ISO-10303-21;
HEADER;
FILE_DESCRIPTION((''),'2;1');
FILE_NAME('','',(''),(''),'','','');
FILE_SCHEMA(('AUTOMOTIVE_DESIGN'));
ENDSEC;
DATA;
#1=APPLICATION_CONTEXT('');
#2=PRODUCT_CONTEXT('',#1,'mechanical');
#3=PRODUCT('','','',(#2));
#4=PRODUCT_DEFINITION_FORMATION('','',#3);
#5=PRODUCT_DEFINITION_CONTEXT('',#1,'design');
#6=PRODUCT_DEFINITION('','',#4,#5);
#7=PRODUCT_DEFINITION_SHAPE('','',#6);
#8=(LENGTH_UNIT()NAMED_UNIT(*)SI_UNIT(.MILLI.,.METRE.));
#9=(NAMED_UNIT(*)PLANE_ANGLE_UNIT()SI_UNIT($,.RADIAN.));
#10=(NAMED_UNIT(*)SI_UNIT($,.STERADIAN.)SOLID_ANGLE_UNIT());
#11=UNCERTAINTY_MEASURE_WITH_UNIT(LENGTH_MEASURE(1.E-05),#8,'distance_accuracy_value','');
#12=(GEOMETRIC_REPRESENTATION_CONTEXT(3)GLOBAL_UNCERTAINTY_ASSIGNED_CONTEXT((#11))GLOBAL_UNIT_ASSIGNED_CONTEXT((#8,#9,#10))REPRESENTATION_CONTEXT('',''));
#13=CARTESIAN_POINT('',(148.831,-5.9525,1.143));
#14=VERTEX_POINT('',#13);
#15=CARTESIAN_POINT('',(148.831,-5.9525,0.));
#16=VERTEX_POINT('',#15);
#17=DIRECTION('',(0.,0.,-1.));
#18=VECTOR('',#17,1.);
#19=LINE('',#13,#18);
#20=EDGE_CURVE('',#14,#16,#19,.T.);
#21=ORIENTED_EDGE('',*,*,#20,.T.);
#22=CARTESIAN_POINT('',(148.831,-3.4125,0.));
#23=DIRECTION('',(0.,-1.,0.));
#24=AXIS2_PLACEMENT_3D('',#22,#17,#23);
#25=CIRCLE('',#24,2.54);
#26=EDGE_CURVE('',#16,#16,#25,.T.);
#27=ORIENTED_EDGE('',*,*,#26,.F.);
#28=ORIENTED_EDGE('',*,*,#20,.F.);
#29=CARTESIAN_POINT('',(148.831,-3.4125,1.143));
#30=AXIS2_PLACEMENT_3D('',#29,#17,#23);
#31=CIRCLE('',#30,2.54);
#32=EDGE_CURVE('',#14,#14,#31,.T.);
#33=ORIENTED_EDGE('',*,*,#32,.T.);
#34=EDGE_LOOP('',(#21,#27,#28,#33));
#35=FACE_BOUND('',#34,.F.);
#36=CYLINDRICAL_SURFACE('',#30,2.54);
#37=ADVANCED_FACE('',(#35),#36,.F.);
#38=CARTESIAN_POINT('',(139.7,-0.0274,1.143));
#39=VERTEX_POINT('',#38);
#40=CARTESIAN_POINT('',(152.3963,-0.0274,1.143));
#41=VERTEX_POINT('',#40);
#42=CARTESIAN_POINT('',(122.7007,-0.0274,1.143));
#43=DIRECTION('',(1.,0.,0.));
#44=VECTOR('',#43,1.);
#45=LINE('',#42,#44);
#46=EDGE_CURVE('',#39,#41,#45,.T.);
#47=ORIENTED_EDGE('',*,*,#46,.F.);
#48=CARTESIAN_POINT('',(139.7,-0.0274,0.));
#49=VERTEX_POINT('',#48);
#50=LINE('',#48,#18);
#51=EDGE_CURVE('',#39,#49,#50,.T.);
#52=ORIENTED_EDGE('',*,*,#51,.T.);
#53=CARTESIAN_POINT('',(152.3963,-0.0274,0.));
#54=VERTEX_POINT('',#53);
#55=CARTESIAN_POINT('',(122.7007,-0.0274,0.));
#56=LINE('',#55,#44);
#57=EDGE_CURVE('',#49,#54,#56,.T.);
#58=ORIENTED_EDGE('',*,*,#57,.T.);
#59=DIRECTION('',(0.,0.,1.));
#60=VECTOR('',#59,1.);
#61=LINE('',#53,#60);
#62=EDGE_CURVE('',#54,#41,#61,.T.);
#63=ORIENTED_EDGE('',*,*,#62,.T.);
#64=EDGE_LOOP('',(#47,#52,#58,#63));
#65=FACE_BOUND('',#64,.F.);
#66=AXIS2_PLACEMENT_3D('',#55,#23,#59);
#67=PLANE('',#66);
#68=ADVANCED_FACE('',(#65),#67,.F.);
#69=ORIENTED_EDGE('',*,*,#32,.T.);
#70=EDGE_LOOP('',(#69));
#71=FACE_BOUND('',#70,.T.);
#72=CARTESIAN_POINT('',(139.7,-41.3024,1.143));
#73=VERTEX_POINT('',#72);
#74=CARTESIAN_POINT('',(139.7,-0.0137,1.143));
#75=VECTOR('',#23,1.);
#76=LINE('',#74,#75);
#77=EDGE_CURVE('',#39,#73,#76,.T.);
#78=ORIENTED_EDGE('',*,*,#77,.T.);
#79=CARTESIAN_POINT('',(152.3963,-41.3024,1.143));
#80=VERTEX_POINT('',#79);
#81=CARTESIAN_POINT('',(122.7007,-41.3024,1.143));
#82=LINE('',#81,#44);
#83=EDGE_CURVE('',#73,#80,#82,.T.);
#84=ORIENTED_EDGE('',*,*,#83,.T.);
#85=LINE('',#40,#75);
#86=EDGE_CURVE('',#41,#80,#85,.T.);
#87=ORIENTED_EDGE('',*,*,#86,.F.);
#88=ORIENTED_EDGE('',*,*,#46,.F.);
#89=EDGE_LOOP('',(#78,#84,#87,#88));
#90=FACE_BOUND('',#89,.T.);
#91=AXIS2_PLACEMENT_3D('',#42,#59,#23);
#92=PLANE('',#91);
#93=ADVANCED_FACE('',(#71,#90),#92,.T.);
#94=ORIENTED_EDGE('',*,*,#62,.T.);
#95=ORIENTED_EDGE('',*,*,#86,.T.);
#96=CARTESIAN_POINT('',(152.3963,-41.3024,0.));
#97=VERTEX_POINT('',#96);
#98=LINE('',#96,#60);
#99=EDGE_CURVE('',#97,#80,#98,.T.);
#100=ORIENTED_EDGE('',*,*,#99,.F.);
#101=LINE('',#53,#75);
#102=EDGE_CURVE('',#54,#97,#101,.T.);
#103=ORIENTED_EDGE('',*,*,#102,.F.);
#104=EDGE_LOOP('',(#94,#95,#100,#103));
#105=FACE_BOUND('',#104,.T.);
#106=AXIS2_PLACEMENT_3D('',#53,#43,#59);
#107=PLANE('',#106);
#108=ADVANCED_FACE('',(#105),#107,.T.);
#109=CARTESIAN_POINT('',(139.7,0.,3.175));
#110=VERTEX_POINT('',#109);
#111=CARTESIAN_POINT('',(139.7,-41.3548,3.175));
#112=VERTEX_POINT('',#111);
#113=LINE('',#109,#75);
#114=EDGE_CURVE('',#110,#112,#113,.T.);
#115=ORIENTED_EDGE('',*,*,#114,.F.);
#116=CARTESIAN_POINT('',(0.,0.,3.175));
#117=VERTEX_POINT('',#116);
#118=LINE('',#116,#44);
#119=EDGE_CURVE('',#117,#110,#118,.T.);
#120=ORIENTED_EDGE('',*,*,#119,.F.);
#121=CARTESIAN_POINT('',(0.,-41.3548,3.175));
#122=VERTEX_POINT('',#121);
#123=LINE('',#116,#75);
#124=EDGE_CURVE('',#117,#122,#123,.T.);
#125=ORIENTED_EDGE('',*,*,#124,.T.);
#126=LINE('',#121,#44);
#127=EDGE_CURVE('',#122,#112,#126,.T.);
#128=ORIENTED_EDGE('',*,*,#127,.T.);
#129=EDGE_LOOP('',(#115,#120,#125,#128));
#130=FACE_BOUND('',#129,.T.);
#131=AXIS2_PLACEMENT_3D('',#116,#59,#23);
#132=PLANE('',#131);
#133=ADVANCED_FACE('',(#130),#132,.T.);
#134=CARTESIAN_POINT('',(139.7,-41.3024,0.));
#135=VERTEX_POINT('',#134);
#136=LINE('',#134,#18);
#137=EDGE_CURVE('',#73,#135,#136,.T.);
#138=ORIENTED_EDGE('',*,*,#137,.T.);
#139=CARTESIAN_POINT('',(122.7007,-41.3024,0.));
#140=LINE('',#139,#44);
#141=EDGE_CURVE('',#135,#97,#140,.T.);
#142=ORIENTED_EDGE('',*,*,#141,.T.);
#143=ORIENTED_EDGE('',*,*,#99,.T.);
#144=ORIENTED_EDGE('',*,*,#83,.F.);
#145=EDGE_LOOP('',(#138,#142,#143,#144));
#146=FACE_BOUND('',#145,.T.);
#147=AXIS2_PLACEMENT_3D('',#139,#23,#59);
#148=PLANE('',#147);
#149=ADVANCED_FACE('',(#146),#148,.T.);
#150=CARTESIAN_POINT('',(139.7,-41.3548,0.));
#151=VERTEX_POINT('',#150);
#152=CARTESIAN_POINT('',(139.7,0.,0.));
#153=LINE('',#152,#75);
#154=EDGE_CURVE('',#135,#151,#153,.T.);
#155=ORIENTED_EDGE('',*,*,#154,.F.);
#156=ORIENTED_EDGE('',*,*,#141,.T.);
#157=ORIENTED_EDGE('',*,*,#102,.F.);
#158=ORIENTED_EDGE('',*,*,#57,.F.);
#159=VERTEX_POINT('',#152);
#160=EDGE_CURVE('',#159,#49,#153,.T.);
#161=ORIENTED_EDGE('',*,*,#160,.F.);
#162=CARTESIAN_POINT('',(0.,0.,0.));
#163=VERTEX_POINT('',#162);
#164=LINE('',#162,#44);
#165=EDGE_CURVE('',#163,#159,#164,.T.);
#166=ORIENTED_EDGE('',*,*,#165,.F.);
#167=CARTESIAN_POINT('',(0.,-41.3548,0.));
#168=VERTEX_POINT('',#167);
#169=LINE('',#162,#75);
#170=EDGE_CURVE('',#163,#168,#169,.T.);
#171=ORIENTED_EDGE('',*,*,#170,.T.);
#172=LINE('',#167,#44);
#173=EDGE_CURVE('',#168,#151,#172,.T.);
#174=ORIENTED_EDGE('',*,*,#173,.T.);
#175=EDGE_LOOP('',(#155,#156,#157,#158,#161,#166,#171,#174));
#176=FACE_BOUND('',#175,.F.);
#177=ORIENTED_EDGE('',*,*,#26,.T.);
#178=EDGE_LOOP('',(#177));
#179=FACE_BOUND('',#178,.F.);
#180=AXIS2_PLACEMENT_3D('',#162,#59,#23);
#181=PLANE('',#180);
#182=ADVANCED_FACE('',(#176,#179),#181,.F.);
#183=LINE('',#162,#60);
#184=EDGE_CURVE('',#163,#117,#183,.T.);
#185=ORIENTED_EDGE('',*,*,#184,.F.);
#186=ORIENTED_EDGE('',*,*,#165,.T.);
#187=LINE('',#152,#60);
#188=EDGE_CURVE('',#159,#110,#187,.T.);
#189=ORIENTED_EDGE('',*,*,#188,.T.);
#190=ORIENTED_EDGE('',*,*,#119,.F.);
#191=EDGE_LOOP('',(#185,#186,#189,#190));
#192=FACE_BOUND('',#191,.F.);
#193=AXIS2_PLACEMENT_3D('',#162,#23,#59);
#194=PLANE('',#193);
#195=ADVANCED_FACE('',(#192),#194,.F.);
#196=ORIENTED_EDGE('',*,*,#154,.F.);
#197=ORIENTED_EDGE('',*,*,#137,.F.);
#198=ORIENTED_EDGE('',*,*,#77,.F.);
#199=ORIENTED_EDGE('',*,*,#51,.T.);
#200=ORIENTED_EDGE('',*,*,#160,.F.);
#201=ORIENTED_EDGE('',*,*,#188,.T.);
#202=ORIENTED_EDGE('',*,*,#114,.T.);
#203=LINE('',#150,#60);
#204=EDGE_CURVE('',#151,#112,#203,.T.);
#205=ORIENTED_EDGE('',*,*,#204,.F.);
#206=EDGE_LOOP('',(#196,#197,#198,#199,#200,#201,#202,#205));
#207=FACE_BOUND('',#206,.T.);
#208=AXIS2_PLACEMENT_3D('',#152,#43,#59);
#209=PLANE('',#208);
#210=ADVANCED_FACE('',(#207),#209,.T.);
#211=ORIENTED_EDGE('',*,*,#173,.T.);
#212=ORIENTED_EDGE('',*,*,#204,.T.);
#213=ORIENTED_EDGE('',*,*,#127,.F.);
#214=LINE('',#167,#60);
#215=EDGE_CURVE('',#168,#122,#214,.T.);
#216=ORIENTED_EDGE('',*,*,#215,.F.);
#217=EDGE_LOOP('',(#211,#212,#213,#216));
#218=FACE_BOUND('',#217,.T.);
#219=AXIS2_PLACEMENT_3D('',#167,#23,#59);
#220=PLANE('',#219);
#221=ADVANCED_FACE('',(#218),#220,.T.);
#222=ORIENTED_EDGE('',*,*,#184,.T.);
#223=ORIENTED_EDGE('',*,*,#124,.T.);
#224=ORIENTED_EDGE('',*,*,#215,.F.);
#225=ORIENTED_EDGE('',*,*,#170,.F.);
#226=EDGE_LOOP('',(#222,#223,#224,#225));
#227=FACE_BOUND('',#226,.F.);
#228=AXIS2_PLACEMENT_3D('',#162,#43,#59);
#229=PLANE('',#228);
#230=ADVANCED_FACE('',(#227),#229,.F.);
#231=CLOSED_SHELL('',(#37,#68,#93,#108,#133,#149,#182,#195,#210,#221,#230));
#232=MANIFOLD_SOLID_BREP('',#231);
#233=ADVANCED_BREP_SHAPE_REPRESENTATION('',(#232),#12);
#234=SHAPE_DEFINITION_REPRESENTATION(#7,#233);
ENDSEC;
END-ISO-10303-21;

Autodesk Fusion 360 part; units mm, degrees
box "BoxPrimitive1" add length 41.3548 width 139.7 height 3.175 placed x (0, -1, 0) y (1, 0, 0) z (0, 0, 1) at (0, 0, 0)
box "BoxPrimitive2" add length 41.275 width 29.6956 height 1.143 placed x (0, -1, 0) y (1, 0, 0) z (0, 0, 1) at (122.7007, -0.0274, 0)
hole "Hole1" at (148.831, -3.4125, 1.143) direction (0, 0, -1) diameter 5.08 depth 15.24 tip angle 180
